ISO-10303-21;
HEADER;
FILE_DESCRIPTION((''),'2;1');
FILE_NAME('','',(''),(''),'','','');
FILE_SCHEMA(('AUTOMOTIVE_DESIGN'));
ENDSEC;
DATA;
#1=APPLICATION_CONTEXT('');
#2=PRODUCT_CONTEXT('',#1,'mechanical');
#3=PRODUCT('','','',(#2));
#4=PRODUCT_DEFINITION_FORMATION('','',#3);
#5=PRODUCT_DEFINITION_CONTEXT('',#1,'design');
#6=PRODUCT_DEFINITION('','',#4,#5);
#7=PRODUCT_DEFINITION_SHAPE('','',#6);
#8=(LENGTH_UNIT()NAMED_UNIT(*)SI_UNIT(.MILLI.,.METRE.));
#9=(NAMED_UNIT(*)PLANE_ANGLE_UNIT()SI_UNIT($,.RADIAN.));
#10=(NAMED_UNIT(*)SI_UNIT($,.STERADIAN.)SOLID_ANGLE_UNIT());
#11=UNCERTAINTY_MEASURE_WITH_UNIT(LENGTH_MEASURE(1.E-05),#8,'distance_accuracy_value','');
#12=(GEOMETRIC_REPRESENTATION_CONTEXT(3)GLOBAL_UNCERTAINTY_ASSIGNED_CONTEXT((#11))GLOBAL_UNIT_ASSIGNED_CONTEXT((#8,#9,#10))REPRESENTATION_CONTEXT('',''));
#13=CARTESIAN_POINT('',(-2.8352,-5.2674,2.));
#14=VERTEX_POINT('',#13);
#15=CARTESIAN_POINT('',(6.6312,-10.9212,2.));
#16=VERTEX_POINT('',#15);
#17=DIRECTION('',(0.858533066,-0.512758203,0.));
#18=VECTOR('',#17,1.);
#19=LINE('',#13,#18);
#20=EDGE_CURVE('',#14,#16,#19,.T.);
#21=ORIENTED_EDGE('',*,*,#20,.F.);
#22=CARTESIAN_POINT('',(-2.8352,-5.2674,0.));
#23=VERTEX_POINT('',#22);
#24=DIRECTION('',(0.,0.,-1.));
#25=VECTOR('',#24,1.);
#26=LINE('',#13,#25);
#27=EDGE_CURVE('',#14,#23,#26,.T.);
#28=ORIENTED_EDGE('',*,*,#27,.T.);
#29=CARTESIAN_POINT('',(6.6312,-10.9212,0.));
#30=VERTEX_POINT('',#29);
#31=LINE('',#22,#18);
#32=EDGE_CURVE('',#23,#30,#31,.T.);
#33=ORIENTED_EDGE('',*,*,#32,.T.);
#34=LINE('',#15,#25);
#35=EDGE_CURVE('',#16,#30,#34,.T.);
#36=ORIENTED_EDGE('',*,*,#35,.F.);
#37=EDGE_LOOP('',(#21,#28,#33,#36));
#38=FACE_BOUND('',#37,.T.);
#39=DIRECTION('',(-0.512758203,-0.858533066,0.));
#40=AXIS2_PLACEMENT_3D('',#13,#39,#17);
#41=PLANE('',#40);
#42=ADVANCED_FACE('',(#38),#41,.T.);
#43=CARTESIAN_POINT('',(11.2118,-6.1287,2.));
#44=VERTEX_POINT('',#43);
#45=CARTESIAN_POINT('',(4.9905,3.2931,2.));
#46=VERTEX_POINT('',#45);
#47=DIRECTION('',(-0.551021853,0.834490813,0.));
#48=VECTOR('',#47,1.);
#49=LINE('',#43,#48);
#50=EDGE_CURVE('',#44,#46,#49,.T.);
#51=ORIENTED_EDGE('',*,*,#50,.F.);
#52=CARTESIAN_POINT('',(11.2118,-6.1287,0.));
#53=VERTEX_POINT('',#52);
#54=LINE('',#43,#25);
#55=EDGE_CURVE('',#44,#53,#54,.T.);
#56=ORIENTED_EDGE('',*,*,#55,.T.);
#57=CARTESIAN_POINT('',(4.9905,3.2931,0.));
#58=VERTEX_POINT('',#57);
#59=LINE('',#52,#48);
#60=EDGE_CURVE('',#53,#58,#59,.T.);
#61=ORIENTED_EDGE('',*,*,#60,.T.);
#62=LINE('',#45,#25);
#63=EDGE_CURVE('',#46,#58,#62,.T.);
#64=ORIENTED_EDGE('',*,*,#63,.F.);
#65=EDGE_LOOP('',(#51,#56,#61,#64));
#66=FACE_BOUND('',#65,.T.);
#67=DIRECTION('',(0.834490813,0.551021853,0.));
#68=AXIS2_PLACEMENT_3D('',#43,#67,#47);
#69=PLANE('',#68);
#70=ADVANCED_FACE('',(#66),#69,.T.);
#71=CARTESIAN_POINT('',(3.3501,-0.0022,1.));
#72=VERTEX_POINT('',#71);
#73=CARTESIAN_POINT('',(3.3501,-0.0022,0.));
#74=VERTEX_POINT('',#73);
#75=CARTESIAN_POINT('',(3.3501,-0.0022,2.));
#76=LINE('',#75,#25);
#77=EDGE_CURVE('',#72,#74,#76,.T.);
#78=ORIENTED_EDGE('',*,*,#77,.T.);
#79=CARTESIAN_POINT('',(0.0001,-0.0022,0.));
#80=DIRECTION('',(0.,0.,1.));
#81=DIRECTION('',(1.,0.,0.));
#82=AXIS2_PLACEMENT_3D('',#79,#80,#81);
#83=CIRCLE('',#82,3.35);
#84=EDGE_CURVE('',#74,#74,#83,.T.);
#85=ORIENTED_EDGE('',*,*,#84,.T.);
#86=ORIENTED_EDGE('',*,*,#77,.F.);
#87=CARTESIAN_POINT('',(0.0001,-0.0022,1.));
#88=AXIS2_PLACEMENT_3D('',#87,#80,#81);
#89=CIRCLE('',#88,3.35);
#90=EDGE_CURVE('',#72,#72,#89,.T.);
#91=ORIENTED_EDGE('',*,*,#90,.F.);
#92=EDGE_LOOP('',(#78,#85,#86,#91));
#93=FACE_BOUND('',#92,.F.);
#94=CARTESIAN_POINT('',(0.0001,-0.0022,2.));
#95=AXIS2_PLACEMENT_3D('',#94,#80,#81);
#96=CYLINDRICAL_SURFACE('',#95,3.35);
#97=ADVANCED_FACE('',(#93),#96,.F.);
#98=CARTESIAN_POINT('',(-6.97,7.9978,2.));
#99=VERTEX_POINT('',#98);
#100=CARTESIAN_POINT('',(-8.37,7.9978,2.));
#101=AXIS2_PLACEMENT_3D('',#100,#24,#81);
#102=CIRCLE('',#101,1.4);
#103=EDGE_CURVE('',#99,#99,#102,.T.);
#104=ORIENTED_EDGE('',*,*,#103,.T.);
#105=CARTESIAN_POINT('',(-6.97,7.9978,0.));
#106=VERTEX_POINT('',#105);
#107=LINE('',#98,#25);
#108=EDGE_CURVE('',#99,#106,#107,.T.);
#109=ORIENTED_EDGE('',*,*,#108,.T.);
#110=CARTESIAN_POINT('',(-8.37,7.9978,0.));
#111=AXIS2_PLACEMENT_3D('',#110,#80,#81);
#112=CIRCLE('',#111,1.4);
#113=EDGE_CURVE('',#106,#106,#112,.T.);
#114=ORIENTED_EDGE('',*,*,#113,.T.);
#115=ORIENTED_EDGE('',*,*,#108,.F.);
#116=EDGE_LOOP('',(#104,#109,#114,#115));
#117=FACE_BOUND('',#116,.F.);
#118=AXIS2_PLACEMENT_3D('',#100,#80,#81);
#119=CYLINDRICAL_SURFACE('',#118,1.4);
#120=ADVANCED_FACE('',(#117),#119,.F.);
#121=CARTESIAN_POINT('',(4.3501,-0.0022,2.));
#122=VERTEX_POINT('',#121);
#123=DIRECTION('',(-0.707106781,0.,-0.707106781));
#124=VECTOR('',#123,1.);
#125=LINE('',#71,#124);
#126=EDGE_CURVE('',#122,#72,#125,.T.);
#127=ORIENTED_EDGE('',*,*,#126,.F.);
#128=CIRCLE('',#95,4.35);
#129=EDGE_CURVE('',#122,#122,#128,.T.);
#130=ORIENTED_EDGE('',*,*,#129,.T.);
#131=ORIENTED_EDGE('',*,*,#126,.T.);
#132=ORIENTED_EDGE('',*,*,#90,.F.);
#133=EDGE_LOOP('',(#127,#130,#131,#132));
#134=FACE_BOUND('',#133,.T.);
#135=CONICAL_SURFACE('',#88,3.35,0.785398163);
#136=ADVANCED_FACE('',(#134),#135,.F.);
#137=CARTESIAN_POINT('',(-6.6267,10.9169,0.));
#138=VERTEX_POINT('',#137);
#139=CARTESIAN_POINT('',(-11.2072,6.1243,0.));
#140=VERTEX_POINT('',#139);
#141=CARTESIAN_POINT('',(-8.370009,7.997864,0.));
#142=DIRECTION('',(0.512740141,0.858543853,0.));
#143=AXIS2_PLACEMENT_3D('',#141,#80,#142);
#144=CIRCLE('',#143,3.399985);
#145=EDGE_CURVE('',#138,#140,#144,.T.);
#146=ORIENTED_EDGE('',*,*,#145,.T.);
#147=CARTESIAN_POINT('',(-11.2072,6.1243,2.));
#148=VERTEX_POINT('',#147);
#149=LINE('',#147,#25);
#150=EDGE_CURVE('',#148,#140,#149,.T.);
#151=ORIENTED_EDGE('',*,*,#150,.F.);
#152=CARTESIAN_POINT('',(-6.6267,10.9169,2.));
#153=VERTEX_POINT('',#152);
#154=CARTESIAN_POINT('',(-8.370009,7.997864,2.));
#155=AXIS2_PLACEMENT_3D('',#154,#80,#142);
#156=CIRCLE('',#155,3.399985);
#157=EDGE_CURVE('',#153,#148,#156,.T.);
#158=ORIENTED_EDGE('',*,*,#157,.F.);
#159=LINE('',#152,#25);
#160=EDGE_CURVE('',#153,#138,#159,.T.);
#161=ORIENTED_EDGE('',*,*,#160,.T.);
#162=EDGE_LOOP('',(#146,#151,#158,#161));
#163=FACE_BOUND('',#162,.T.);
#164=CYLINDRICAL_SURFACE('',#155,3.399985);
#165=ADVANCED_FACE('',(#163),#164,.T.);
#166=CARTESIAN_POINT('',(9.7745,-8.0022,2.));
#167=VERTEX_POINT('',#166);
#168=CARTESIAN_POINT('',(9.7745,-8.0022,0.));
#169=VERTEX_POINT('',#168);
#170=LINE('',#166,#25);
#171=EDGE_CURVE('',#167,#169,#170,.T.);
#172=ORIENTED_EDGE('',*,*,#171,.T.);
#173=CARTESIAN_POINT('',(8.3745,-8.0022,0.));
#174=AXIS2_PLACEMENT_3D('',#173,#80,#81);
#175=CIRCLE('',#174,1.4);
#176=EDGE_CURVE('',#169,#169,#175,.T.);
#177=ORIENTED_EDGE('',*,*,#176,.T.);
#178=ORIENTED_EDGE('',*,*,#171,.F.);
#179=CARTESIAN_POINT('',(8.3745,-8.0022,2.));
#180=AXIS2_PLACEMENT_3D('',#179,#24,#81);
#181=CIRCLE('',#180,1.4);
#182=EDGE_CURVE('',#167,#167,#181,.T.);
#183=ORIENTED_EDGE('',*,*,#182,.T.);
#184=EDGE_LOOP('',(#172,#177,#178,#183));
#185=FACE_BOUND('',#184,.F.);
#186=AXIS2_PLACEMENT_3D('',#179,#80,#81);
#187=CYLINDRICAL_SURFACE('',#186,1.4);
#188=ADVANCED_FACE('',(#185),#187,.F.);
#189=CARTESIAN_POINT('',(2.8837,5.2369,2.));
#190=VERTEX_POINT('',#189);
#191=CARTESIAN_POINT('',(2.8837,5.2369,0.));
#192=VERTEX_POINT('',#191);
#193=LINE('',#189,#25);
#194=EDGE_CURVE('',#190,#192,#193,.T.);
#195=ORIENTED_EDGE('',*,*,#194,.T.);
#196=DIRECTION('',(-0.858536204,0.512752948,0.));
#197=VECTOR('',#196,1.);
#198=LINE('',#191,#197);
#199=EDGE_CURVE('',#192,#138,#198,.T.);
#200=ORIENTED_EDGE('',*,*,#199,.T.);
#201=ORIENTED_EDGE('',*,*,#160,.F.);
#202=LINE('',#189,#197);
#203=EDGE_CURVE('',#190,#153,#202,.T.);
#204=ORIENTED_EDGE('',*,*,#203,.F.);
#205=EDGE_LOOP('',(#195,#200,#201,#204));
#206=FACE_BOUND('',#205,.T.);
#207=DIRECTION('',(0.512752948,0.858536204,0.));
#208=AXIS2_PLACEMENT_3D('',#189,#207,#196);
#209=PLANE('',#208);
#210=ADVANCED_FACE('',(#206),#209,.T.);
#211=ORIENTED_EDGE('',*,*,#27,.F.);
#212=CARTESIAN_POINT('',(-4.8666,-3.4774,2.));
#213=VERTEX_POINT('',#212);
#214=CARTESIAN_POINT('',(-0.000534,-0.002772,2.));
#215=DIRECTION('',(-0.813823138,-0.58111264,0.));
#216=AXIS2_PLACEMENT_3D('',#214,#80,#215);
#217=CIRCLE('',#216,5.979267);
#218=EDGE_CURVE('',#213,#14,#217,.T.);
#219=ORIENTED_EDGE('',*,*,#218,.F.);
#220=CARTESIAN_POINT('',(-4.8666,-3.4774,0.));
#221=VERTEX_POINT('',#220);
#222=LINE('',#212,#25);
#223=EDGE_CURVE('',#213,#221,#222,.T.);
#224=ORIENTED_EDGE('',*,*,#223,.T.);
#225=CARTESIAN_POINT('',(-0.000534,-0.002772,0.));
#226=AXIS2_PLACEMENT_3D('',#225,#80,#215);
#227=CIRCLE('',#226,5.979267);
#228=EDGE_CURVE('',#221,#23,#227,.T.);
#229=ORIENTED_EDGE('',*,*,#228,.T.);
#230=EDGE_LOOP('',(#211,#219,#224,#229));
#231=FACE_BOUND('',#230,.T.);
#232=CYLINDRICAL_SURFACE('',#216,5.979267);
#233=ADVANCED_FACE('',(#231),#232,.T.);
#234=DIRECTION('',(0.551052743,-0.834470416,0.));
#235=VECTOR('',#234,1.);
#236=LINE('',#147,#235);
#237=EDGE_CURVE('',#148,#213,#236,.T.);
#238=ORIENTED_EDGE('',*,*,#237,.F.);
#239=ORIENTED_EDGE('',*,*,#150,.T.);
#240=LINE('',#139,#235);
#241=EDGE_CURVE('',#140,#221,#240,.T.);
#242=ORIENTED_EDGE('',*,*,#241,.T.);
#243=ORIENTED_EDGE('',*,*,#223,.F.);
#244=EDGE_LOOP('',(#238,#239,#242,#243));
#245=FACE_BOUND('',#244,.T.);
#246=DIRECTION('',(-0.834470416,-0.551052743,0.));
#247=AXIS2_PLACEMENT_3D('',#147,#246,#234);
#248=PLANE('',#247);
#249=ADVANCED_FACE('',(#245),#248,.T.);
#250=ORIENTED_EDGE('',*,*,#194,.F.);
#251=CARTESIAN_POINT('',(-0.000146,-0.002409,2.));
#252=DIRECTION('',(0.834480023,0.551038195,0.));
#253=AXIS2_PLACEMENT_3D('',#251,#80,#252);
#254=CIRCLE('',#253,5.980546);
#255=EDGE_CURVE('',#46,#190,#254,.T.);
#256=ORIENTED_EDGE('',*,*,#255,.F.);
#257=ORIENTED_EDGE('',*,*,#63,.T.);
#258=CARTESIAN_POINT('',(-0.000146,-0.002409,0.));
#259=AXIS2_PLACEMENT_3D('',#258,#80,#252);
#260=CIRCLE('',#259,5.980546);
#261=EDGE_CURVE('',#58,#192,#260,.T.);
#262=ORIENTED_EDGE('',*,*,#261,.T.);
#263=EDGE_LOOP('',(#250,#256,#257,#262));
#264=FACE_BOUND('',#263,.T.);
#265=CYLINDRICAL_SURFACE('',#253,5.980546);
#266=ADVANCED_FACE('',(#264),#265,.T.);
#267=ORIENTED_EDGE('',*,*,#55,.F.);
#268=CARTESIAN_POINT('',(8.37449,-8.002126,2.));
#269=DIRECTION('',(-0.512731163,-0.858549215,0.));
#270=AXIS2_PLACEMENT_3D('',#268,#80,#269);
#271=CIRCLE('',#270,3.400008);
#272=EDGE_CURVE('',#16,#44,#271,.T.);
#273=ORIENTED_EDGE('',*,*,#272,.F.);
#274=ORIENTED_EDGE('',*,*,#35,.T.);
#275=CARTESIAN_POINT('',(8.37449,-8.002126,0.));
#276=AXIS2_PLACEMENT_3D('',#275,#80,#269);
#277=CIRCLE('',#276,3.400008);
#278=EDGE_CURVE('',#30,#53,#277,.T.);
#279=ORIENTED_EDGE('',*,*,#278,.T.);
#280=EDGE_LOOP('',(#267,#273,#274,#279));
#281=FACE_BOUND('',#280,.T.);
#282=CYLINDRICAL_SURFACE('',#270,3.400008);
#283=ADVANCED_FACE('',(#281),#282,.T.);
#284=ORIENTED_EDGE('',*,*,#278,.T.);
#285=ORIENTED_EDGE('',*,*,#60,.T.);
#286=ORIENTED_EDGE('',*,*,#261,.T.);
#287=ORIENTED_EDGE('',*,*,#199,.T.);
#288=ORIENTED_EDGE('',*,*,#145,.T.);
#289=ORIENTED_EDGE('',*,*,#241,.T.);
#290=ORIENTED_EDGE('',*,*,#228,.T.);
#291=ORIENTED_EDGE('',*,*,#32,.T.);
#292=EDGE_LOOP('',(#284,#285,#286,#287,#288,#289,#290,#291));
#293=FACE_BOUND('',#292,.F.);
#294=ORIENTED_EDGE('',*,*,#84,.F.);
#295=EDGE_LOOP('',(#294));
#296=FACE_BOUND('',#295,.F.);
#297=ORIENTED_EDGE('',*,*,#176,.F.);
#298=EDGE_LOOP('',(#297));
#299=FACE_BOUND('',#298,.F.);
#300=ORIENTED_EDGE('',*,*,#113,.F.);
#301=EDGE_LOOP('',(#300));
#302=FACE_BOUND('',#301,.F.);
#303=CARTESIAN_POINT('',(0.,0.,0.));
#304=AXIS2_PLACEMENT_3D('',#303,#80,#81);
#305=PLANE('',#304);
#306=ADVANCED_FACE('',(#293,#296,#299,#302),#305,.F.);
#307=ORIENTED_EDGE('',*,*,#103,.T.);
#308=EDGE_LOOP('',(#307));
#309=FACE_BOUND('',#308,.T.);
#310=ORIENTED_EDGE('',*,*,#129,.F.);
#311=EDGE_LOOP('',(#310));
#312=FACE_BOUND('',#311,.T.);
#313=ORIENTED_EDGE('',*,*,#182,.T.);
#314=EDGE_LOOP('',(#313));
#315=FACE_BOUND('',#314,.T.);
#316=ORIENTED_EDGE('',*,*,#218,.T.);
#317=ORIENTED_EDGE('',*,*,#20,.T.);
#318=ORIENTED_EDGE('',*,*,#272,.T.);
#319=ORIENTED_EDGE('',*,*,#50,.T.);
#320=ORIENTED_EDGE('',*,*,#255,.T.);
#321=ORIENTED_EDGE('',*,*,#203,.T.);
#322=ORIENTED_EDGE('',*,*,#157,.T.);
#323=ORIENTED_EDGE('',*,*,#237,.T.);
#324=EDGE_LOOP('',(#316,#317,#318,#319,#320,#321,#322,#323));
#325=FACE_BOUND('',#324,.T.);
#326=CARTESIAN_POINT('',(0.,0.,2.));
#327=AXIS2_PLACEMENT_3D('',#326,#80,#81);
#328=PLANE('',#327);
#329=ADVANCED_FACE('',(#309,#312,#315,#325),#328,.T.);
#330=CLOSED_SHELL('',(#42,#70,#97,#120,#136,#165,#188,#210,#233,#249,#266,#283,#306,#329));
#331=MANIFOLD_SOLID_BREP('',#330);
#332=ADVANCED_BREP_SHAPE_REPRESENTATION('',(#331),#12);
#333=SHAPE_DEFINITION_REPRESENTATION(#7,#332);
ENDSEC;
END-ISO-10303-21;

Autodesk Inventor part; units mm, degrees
ref_plane "YZ Plane" through (0, 0, 0) normal (1, 0, 0) x (0, 1, 0)
ref_plane "XZ Plane" through (0, 0, 0) normal (0, 1, 0) x (-1, 0, 0)
ref_plane "XY Plane" through (0, 0, 0) normal (0, 0, 1) x (1, 0, 0)
sketch "Skizze1" plane through (0, 0, 0) normal (0, 0, 1) x (1, 0, 0)
  circle A0 centre (0.0001, -0.0022) radius 3.9802 projected
  circle A1 centre (-8.37, 7.9978) radius 1.4 projected
  circle A2 centre (8.3745, -8.0022) radius 1.4 projected
  line L0 (-9.5383, 7.2264) -> (-3.2198, -2.3418)
  line L1 (-7.6522, 9.1998) -> (1.8915, 3.4999)
  line L2 (9.5428, -7.2307) -> (3.3215, 2.191)
  line L3 (-1.8517, -3.5253) -> (7.6567, -9.2041)
  point P0 (0, 0)
extrude "Extrusion1" add sketch "Skizze1" along normal blind 2
sketch "Skizze2" plane through (0, 0, 2) normal (0, 0, 1) x (1, 0, 0)
  arc A0 (-7.6522, 9.1998) -> (-9.5383, 7.2264) centre (-8.37, 7.9978) ccw projected
  line L0 (-9.5383, 7.2264) -> (-3.2198, -2.3418) projected
  arc A1 (-3.2198, -2.3418) -> (-1.8517, -3.5253) centre (0.0001, -0.0022) ccw projected
  line L1 (-1.8517, -3.5253) -> (7.6567, -9.2041) projected
  arc A2 (7.6567, -9.2041) -> (9.5428, -7.2307) centre (8.3745, -8.0022) ccw projected
  line L2 (9.5428, -7.2307) -> (3.3215, 2.191) projected
  arc A3 (3.3215, 2.191) -> (1.8915, 3.4999) centre (0.0001, -0.0022) ccw projected
  line L3 (1.8915, 3.4999) -> (-7.6522, 9.1998) projected
  arc A4 (-6.6267, 10.9169) -> (-11.2072, 6.1243) centre (-8.37, 7.9978) ccw
  line L4 (-11.2072, 6.1243) -> (-4.8666, -3.4774)
  arc A5 (-4.8666, -3.4774) -> (-2.8352, -5.2674) centre (0.0001, -0.0022) ccw
  line L5 (-2.8352, -5.2674) -> (6.6312, -10.9212)
  arc A6 (6.6312, -10.9212) -> (11.2118, -6.1287) centre (8.3745, -8.0022) ccw
  line L6 (11.2118, -6.1287) -> (4.9905, 3.2931)
  arc A7 (4.9905, 3.2931) -> (2.8837, 5.2369) centre (0.0001, -0.0022) ccw
  line L7 (2.8837, 5.2369) -> (-6.6267, 10.9169)
  point P0 (0, 0)
  dimension "d2" = 2
extrude "Extrusion2" add sketch "Skizze2" against normal up to surface (2 mm away)
sketch "Skizze3" plane through (0, 0, 2) normal (0, 0, 1) x (1, 0, 0)
  circle A0 centre (0.0001, -0.0022) radius 3.9802 projected
  circle A1 centre (-8.37, 7.9978) radius 1.4 projected
  circle A2 centre (8.3745, -8.0022) radius 1.4 projected
  circle A3 centre (0.0001, -0.0022) radius 3.35
  point P0 (0, 0)
  dimension "d5" = 6.7
extrude "Extrusion3" cut sketch "Skizze3" against normal through all contours A1 | A2 | A3
sketch "Skizze4" plane through (0, 0, 2) normal (0, 0, 1) x (1, 0, 0)
  circle A0 centre (-8.37, 7.9978) radius 1.4 projected
  circle A1 centre (8.3745, -8.0022) radius 1.4 projected
  point P0 (0, 0)
hole "Bohrung1" at (-8.37, 7.9978, 2) at (8.3745, -8.0022, 2) direction (0, 0, -1) diameter 2.8 end through all
chamfer "Fase1" distance 1 angle 45 1 edges at (-3.3499, -0.0022, 2)
properties part number "IM_Lensholder_macroscope"
